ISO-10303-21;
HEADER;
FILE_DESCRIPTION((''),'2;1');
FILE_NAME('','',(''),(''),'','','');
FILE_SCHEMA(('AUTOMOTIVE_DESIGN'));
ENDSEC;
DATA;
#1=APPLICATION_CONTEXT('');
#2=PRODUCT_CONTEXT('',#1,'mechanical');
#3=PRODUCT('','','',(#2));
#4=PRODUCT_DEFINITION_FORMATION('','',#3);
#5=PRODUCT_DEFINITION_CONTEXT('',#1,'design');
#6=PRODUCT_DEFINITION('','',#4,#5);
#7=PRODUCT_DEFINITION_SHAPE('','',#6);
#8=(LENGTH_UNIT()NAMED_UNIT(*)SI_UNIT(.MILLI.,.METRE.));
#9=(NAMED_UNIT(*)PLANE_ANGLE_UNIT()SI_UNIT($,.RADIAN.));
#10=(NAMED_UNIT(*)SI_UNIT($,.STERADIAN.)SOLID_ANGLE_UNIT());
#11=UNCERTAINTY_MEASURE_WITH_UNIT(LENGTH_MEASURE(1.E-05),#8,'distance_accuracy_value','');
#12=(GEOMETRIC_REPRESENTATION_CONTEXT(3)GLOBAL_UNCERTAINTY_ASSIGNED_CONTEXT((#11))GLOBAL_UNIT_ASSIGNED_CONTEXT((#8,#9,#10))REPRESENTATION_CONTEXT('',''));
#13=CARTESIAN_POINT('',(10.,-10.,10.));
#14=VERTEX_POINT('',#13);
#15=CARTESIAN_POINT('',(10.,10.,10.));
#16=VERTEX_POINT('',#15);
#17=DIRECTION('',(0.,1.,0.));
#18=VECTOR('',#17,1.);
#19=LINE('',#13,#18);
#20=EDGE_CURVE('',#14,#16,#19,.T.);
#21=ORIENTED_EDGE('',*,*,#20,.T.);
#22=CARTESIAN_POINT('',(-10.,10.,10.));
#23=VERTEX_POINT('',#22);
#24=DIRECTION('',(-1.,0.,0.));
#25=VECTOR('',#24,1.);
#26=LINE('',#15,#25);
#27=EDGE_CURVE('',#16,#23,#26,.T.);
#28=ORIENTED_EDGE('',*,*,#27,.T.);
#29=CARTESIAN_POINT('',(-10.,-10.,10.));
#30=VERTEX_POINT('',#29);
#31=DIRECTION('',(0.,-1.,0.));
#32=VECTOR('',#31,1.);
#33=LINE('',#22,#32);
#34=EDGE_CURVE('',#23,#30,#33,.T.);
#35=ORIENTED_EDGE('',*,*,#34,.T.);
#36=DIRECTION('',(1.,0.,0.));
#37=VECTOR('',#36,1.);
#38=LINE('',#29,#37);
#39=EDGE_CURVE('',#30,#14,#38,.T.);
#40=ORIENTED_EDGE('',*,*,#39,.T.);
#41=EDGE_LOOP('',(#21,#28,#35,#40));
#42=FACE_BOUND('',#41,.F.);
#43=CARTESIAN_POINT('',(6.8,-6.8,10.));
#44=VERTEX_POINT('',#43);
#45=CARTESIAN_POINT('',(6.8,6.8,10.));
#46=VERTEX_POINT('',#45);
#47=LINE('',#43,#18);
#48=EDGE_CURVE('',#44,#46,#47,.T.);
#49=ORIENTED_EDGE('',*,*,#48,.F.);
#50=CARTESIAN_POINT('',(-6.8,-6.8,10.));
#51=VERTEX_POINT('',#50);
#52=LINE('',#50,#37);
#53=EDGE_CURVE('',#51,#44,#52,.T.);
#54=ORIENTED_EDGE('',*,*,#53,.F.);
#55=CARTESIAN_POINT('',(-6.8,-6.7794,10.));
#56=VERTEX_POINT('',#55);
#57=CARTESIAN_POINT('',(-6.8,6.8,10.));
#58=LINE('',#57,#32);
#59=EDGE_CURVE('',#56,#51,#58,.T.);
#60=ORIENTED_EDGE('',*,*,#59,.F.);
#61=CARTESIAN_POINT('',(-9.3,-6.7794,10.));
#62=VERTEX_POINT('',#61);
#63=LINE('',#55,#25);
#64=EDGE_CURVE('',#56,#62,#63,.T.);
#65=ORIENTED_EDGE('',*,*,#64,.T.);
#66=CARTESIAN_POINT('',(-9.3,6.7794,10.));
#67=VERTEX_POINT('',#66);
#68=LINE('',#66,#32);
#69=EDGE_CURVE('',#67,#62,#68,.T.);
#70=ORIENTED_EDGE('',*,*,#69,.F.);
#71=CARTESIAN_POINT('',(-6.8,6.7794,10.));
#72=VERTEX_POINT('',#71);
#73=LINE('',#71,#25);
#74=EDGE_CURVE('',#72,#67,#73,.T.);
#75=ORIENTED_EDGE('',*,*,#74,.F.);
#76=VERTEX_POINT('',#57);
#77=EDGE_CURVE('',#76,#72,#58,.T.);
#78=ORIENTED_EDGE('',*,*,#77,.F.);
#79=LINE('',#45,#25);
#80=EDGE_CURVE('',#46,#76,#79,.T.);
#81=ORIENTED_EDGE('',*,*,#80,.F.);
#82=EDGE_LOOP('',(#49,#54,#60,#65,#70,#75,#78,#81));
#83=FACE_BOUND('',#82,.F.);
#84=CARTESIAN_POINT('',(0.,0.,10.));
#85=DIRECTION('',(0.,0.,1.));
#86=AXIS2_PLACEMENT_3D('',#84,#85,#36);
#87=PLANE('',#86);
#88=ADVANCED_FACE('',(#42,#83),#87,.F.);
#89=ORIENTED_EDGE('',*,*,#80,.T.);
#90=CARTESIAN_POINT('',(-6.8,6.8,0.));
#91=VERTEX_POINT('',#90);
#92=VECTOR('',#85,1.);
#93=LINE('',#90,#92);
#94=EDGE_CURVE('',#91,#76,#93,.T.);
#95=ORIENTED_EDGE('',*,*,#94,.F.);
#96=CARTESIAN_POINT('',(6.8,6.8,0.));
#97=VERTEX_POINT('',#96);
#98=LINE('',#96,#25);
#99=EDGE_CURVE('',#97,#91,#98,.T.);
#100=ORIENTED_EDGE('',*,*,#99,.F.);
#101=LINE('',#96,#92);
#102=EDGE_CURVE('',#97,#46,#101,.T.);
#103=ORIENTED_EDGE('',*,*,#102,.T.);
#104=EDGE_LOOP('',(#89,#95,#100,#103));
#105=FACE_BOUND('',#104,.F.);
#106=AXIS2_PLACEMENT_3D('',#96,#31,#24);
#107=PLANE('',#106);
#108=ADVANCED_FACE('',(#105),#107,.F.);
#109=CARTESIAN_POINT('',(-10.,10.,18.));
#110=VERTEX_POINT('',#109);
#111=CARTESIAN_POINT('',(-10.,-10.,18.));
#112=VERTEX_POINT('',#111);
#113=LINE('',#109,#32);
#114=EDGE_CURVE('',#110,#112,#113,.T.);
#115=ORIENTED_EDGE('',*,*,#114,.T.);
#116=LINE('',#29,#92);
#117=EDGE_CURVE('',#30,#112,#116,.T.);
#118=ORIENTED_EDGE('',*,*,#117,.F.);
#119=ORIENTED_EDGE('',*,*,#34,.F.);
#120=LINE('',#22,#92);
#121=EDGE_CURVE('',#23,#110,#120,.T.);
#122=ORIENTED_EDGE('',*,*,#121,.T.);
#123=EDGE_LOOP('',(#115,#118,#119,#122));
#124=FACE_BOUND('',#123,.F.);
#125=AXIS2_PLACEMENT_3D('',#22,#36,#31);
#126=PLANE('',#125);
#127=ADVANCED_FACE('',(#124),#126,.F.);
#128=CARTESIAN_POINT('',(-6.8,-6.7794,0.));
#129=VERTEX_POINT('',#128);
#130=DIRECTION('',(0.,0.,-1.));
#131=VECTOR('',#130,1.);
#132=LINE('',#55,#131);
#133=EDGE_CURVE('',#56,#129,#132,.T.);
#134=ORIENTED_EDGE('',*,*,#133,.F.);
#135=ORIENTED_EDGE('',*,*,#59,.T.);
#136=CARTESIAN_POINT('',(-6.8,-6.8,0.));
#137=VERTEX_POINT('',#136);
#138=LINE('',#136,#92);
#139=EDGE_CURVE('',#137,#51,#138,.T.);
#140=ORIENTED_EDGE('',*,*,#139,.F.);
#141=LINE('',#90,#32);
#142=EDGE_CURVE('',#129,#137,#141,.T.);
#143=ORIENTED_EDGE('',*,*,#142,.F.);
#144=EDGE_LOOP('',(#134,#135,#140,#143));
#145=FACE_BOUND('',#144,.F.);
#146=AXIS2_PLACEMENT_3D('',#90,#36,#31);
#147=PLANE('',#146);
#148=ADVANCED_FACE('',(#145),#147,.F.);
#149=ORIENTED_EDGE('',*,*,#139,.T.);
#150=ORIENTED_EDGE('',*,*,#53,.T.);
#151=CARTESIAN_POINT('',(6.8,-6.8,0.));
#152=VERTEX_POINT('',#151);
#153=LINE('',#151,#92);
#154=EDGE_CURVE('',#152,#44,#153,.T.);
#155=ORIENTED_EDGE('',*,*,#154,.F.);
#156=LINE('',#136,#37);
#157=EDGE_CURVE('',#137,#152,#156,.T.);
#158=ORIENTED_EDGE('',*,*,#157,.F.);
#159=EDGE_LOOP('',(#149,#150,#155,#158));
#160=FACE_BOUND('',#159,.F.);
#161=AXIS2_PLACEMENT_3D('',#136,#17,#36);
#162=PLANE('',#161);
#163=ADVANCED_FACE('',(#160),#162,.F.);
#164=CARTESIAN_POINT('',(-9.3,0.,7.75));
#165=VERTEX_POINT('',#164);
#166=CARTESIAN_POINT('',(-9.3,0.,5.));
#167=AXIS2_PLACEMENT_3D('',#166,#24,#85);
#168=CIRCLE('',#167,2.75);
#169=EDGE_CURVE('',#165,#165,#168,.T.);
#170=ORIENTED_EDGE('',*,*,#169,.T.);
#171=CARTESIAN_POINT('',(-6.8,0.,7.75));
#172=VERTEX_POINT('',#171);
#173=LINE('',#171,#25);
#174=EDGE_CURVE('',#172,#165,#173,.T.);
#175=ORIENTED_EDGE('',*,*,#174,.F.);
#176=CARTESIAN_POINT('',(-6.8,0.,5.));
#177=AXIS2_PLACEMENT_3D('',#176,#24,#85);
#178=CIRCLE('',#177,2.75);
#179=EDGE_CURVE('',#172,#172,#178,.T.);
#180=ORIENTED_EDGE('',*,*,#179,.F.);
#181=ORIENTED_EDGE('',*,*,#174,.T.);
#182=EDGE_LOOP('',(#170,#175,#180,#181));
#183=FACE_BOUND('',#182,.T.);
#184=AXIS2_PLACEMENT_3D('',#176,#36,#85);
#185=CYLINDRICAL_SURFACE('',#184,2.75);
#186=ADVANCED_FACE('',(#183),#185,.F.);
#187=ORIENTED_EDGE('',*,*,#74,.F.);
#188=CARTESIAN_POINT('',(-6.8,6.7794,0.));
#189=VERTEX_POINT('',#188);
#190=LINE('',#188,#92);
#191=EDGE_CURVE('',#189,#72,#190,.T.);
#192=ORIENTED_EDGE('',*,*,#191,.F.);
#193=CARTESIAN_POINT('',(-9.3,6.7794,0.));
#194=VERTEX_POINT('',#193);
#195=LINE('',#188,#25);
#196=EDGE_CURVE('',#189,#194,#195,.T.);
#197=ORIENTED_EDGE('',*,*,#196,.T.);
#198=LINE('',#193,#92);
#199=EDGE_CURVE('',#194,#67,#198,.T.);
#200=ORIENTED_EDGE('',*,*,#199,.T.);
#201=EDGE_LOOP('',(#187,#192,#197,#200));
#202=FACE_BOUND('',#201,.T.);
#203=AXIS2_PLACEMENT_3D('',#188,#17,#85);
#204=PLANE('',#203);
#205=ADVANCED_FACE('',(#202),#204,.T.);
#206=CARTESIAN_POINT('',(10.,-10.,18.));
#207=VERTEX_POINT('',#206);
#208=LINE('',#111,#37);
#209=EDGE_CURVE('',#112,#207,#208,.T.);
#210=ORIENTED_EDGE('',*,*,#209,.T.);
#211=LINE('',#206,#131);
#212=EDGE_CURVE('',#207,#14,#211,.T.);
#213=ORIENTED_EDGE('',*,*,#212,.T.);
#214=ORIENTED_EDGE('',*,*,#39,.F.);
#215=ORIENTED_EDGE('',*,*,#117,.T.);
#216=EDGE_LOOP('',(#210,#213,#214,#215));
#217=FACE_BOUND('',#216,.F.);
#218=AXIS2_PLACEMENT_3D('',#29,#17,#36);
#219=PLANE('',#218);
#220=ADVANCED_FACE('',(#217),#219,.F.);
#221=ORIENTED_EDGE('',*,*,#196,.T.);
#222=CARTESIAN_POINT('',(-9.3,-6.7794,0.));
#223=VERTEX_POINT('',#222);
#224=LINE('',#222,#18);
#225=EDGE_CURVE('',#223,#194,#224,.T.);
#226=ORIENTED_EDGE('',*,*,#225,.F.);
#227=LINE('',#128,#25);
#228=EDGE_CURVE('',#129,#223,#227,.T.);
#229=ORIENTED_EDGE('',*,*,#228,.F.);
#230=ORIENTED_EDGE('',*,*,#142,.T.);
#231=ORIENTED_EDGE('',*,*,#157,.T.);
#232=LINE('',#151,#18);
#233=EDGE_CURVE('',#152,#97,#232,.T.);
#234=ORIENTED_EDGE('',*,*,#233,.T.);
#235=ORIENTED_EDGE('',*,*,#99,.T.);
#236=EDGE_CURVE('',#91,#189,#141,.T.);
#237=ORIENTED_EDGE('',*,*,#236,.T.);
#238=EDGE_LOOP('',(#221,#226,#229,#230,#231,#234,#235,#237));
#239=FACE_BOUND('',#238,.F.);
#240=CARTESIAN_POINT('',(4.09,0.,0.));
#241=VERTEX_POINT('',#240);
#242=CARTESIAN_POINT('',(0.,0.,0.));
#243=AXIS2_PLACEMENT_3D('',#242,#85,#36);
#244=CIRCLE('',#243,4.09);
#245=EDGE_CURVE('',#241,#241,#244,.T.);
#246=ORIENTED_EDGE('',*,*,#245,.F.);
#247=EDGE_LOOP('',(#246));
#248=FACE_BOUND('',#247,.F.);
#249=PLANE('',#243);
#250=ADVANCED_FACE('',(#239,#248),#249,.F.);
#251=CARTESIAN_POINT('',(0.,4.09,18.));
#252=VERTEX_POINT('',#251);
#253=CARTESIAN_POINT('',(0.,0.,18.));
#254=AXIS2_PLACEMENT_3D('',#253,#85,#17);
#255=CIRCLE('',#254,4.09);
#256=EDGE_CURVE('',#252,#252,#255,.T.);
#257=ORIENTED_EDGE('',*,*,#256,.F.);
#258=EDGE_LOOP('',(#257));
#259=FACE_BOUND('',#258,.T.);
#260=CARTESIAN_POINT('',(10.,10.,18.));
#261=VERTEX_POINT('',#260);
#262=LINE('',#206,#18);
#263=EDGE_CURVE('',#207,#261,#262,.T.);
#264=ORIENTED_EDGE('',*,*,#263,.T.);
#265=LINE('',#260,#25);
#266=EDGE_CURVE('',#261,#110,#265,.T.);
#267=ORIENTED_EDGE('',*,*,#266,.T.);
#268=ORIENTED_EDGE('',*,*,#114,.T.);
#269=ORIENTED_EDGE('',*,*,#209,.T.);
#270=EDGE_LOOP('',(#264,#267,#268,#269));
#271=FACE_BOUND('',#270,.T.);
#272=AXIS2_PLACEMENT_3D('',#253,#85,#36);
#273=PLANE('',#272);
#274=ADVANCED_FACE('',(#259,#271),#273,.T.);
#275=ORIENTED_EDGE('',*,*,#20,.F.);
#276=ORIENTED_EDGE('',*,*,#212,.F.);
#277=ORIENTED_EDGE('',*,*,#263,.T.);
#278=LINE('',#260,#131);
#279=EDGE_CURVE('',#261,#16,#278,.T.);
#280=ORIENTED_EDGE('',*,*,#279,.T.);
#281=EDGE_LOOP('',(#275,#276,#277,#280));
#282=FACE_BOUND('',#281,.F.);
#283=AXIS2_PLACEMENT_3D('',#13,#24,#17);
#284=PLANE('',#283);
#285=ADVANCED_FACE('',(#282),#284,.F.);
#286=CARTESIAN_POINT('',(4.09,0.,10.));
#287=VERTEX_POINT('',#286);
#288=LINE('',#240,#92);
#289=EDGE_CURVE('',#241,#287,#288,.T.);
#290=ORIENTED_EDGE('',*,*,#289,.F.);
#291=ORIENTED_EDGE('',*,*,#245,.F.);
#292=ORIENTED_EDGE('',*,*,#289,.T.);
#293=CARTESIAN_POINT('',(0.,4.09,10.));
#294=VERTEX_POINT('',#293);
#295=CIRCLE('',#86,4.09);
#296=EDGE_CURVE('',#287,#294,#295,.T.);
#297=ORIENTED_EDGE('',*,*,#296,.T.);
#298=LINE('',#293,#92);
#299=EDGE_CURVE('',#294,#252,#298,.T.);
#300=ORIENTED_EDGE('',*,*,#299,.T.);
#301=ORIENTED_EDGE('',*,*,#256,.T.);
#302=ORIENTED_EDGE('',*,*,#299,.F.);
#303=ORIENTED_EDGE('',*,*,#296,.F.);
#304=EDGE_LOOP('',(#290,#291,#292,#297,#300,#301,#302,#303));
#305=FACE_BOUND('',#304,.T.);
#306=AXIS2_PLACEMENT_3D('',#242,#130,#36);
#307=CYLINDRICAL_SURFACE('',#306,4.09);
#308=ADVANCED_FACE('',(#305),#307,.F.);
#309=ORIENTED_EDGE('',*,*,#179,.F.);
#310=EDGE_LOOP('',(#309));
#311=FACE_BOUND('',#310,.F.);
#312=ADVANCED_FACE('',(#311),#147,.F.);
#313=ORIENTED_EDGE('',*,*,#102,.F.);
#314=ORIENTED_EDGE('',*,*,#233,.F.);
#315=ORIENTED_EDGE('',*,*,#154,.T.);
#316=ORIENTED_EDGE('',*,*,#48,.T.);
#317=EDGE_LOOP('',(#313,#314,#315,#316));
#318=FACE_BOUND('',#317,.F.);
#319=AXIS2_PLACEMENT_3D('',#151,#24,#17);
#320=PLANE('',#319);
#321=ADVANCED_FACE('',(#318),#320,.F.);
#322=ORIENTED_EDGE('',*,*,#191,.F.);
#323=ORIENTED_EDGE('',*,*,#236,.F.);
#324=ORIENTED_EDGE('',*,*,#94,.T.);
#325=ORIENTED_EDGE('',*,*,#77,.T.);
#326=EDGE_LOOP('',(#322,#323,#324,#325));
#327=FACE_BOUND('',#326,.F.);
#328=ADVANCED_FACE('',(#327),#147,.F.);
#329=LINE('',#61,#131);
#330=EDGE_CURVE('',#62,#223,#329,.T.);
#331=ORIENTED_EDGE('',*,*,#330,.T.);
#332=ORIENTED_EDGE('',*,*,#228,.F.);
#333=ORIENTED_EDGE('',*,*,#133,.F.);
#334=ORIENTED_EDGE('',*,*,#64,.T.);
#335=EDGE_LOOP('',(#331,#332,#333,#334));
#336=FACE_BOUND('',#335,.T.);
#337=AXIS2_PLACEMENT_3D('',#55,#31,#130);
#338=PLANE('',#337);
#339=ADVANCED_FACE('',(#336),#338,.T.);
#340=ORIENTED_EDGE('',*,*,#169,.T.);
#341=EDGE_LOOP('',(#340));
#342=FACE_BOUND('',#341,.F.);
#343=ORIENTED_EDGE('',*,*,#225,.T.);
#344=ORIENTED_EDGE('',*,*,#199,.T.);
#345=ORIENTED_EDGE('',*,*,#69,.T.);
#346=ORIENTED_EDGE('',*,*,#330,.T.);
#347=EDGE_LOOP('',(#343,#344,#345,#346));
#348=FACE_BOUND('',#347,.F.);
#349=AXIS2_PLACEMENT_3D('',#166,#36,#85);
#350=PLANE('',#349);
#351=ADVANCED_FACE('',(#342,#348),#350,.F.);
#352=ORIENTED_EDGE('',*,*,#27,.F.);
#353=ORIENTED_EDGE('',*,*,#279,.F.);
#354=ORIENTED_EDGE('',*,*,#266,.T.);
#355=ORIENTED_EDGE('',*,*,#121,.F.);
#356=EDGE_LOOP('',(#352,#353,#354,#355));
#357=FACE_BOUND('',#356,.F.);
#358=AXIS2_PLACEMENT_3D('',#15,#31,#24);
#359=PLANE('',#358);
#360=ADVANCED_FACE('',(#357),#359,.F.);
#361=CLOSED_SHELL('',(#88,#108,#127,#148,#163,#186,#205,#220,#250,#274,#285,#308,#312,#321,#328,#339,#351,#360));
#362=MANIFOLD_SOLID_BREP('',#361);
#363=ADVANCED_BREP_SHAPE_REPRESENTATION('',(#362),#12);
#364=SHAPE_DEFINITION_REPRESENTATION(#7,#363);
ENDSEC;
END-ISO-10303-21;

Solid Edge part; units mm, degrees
sketch "Sketch1" plane through (0, 0, 0) normal (0, 0, 1) x (1, 0, 0)
  line L0 (6.8, -6.8) -> (6.8, 6.8)
  line L1 (6.8, 6.8) -> (-6.8, 6.8)
  line L2 (-6.8, 6.8) -> (-6.8, -6.8)
  line L3 (-6.8, -6.8) -> (6.8, -6.8)
  circle A0 centre (0, 0) radius 4.09
  dimension "D1" = 8.18
  dimension "D2" = 13.6
  dimension "D3" = 13.6
extrude "Protrusion1" add sketch "Sketch1" along normal blind 10
sketch "Sketch2" plane through (0, 0, 10) normal (0, 0, 1) x (0, 1, 0)
  circle A0 centre (0, 0) radius 4.09
  line L0 (10, -10) -> (10, 10)
  line L1 (10, 10) -> (-10, 10)
  line L2 (-10, 10) -> (-10, -10)
  line L3 (-10, -10) -> (10, -10)
  dimension "D1" = 8.18
  dimension "D2" = 20
  dimension "D3" = 20
extrude "ExtrudedProtrusion_2" add sketch "Sketch2" along normal blind 4
sketch "Sketch3" plane through (-6.8, 0, 5) normal (-1, 0, 0) x (0, 0, 1)
  line L0 (5, -6.7794) -> (-5, -6.7794)
  line L1 (-5, -6.7794) -> (-5, 6.7794)
  line L2 (-5, 6.7794) -> (5, 6.7794)
  line L3 (5, 6.7794) -> (5, -6.7794)
  circle A0 centre (0, 0) radius 2.75
  dimension "D1" = 10
  dimension "D2" = 13.5589
  dimension "D3" = 5.5
extrude "ExtrudedProtrusion_3" add sketch "Sketch3" along normal blind 2.5
sketch "Sketch4" plane through (0, 0, 14) normal (0, 0, 1) x (0, 1, 0)
  circle A0 centre (0, 0) radius 4.09
  line L0 (10, -10) -> (10, 10)
  line L1 (10, 10) -> (-10, 10)
  line L2 (-10, 10) -> (-10, -10)
  line L3 (-10, -10) -> (10, -10)
  dimension "D1" = 8.18
  dimension "D2" = 20
  dimension "D3" = 20
extrude "ExtrudedProtrusion_4" add sketch "Sketch4" along normal blind 4
